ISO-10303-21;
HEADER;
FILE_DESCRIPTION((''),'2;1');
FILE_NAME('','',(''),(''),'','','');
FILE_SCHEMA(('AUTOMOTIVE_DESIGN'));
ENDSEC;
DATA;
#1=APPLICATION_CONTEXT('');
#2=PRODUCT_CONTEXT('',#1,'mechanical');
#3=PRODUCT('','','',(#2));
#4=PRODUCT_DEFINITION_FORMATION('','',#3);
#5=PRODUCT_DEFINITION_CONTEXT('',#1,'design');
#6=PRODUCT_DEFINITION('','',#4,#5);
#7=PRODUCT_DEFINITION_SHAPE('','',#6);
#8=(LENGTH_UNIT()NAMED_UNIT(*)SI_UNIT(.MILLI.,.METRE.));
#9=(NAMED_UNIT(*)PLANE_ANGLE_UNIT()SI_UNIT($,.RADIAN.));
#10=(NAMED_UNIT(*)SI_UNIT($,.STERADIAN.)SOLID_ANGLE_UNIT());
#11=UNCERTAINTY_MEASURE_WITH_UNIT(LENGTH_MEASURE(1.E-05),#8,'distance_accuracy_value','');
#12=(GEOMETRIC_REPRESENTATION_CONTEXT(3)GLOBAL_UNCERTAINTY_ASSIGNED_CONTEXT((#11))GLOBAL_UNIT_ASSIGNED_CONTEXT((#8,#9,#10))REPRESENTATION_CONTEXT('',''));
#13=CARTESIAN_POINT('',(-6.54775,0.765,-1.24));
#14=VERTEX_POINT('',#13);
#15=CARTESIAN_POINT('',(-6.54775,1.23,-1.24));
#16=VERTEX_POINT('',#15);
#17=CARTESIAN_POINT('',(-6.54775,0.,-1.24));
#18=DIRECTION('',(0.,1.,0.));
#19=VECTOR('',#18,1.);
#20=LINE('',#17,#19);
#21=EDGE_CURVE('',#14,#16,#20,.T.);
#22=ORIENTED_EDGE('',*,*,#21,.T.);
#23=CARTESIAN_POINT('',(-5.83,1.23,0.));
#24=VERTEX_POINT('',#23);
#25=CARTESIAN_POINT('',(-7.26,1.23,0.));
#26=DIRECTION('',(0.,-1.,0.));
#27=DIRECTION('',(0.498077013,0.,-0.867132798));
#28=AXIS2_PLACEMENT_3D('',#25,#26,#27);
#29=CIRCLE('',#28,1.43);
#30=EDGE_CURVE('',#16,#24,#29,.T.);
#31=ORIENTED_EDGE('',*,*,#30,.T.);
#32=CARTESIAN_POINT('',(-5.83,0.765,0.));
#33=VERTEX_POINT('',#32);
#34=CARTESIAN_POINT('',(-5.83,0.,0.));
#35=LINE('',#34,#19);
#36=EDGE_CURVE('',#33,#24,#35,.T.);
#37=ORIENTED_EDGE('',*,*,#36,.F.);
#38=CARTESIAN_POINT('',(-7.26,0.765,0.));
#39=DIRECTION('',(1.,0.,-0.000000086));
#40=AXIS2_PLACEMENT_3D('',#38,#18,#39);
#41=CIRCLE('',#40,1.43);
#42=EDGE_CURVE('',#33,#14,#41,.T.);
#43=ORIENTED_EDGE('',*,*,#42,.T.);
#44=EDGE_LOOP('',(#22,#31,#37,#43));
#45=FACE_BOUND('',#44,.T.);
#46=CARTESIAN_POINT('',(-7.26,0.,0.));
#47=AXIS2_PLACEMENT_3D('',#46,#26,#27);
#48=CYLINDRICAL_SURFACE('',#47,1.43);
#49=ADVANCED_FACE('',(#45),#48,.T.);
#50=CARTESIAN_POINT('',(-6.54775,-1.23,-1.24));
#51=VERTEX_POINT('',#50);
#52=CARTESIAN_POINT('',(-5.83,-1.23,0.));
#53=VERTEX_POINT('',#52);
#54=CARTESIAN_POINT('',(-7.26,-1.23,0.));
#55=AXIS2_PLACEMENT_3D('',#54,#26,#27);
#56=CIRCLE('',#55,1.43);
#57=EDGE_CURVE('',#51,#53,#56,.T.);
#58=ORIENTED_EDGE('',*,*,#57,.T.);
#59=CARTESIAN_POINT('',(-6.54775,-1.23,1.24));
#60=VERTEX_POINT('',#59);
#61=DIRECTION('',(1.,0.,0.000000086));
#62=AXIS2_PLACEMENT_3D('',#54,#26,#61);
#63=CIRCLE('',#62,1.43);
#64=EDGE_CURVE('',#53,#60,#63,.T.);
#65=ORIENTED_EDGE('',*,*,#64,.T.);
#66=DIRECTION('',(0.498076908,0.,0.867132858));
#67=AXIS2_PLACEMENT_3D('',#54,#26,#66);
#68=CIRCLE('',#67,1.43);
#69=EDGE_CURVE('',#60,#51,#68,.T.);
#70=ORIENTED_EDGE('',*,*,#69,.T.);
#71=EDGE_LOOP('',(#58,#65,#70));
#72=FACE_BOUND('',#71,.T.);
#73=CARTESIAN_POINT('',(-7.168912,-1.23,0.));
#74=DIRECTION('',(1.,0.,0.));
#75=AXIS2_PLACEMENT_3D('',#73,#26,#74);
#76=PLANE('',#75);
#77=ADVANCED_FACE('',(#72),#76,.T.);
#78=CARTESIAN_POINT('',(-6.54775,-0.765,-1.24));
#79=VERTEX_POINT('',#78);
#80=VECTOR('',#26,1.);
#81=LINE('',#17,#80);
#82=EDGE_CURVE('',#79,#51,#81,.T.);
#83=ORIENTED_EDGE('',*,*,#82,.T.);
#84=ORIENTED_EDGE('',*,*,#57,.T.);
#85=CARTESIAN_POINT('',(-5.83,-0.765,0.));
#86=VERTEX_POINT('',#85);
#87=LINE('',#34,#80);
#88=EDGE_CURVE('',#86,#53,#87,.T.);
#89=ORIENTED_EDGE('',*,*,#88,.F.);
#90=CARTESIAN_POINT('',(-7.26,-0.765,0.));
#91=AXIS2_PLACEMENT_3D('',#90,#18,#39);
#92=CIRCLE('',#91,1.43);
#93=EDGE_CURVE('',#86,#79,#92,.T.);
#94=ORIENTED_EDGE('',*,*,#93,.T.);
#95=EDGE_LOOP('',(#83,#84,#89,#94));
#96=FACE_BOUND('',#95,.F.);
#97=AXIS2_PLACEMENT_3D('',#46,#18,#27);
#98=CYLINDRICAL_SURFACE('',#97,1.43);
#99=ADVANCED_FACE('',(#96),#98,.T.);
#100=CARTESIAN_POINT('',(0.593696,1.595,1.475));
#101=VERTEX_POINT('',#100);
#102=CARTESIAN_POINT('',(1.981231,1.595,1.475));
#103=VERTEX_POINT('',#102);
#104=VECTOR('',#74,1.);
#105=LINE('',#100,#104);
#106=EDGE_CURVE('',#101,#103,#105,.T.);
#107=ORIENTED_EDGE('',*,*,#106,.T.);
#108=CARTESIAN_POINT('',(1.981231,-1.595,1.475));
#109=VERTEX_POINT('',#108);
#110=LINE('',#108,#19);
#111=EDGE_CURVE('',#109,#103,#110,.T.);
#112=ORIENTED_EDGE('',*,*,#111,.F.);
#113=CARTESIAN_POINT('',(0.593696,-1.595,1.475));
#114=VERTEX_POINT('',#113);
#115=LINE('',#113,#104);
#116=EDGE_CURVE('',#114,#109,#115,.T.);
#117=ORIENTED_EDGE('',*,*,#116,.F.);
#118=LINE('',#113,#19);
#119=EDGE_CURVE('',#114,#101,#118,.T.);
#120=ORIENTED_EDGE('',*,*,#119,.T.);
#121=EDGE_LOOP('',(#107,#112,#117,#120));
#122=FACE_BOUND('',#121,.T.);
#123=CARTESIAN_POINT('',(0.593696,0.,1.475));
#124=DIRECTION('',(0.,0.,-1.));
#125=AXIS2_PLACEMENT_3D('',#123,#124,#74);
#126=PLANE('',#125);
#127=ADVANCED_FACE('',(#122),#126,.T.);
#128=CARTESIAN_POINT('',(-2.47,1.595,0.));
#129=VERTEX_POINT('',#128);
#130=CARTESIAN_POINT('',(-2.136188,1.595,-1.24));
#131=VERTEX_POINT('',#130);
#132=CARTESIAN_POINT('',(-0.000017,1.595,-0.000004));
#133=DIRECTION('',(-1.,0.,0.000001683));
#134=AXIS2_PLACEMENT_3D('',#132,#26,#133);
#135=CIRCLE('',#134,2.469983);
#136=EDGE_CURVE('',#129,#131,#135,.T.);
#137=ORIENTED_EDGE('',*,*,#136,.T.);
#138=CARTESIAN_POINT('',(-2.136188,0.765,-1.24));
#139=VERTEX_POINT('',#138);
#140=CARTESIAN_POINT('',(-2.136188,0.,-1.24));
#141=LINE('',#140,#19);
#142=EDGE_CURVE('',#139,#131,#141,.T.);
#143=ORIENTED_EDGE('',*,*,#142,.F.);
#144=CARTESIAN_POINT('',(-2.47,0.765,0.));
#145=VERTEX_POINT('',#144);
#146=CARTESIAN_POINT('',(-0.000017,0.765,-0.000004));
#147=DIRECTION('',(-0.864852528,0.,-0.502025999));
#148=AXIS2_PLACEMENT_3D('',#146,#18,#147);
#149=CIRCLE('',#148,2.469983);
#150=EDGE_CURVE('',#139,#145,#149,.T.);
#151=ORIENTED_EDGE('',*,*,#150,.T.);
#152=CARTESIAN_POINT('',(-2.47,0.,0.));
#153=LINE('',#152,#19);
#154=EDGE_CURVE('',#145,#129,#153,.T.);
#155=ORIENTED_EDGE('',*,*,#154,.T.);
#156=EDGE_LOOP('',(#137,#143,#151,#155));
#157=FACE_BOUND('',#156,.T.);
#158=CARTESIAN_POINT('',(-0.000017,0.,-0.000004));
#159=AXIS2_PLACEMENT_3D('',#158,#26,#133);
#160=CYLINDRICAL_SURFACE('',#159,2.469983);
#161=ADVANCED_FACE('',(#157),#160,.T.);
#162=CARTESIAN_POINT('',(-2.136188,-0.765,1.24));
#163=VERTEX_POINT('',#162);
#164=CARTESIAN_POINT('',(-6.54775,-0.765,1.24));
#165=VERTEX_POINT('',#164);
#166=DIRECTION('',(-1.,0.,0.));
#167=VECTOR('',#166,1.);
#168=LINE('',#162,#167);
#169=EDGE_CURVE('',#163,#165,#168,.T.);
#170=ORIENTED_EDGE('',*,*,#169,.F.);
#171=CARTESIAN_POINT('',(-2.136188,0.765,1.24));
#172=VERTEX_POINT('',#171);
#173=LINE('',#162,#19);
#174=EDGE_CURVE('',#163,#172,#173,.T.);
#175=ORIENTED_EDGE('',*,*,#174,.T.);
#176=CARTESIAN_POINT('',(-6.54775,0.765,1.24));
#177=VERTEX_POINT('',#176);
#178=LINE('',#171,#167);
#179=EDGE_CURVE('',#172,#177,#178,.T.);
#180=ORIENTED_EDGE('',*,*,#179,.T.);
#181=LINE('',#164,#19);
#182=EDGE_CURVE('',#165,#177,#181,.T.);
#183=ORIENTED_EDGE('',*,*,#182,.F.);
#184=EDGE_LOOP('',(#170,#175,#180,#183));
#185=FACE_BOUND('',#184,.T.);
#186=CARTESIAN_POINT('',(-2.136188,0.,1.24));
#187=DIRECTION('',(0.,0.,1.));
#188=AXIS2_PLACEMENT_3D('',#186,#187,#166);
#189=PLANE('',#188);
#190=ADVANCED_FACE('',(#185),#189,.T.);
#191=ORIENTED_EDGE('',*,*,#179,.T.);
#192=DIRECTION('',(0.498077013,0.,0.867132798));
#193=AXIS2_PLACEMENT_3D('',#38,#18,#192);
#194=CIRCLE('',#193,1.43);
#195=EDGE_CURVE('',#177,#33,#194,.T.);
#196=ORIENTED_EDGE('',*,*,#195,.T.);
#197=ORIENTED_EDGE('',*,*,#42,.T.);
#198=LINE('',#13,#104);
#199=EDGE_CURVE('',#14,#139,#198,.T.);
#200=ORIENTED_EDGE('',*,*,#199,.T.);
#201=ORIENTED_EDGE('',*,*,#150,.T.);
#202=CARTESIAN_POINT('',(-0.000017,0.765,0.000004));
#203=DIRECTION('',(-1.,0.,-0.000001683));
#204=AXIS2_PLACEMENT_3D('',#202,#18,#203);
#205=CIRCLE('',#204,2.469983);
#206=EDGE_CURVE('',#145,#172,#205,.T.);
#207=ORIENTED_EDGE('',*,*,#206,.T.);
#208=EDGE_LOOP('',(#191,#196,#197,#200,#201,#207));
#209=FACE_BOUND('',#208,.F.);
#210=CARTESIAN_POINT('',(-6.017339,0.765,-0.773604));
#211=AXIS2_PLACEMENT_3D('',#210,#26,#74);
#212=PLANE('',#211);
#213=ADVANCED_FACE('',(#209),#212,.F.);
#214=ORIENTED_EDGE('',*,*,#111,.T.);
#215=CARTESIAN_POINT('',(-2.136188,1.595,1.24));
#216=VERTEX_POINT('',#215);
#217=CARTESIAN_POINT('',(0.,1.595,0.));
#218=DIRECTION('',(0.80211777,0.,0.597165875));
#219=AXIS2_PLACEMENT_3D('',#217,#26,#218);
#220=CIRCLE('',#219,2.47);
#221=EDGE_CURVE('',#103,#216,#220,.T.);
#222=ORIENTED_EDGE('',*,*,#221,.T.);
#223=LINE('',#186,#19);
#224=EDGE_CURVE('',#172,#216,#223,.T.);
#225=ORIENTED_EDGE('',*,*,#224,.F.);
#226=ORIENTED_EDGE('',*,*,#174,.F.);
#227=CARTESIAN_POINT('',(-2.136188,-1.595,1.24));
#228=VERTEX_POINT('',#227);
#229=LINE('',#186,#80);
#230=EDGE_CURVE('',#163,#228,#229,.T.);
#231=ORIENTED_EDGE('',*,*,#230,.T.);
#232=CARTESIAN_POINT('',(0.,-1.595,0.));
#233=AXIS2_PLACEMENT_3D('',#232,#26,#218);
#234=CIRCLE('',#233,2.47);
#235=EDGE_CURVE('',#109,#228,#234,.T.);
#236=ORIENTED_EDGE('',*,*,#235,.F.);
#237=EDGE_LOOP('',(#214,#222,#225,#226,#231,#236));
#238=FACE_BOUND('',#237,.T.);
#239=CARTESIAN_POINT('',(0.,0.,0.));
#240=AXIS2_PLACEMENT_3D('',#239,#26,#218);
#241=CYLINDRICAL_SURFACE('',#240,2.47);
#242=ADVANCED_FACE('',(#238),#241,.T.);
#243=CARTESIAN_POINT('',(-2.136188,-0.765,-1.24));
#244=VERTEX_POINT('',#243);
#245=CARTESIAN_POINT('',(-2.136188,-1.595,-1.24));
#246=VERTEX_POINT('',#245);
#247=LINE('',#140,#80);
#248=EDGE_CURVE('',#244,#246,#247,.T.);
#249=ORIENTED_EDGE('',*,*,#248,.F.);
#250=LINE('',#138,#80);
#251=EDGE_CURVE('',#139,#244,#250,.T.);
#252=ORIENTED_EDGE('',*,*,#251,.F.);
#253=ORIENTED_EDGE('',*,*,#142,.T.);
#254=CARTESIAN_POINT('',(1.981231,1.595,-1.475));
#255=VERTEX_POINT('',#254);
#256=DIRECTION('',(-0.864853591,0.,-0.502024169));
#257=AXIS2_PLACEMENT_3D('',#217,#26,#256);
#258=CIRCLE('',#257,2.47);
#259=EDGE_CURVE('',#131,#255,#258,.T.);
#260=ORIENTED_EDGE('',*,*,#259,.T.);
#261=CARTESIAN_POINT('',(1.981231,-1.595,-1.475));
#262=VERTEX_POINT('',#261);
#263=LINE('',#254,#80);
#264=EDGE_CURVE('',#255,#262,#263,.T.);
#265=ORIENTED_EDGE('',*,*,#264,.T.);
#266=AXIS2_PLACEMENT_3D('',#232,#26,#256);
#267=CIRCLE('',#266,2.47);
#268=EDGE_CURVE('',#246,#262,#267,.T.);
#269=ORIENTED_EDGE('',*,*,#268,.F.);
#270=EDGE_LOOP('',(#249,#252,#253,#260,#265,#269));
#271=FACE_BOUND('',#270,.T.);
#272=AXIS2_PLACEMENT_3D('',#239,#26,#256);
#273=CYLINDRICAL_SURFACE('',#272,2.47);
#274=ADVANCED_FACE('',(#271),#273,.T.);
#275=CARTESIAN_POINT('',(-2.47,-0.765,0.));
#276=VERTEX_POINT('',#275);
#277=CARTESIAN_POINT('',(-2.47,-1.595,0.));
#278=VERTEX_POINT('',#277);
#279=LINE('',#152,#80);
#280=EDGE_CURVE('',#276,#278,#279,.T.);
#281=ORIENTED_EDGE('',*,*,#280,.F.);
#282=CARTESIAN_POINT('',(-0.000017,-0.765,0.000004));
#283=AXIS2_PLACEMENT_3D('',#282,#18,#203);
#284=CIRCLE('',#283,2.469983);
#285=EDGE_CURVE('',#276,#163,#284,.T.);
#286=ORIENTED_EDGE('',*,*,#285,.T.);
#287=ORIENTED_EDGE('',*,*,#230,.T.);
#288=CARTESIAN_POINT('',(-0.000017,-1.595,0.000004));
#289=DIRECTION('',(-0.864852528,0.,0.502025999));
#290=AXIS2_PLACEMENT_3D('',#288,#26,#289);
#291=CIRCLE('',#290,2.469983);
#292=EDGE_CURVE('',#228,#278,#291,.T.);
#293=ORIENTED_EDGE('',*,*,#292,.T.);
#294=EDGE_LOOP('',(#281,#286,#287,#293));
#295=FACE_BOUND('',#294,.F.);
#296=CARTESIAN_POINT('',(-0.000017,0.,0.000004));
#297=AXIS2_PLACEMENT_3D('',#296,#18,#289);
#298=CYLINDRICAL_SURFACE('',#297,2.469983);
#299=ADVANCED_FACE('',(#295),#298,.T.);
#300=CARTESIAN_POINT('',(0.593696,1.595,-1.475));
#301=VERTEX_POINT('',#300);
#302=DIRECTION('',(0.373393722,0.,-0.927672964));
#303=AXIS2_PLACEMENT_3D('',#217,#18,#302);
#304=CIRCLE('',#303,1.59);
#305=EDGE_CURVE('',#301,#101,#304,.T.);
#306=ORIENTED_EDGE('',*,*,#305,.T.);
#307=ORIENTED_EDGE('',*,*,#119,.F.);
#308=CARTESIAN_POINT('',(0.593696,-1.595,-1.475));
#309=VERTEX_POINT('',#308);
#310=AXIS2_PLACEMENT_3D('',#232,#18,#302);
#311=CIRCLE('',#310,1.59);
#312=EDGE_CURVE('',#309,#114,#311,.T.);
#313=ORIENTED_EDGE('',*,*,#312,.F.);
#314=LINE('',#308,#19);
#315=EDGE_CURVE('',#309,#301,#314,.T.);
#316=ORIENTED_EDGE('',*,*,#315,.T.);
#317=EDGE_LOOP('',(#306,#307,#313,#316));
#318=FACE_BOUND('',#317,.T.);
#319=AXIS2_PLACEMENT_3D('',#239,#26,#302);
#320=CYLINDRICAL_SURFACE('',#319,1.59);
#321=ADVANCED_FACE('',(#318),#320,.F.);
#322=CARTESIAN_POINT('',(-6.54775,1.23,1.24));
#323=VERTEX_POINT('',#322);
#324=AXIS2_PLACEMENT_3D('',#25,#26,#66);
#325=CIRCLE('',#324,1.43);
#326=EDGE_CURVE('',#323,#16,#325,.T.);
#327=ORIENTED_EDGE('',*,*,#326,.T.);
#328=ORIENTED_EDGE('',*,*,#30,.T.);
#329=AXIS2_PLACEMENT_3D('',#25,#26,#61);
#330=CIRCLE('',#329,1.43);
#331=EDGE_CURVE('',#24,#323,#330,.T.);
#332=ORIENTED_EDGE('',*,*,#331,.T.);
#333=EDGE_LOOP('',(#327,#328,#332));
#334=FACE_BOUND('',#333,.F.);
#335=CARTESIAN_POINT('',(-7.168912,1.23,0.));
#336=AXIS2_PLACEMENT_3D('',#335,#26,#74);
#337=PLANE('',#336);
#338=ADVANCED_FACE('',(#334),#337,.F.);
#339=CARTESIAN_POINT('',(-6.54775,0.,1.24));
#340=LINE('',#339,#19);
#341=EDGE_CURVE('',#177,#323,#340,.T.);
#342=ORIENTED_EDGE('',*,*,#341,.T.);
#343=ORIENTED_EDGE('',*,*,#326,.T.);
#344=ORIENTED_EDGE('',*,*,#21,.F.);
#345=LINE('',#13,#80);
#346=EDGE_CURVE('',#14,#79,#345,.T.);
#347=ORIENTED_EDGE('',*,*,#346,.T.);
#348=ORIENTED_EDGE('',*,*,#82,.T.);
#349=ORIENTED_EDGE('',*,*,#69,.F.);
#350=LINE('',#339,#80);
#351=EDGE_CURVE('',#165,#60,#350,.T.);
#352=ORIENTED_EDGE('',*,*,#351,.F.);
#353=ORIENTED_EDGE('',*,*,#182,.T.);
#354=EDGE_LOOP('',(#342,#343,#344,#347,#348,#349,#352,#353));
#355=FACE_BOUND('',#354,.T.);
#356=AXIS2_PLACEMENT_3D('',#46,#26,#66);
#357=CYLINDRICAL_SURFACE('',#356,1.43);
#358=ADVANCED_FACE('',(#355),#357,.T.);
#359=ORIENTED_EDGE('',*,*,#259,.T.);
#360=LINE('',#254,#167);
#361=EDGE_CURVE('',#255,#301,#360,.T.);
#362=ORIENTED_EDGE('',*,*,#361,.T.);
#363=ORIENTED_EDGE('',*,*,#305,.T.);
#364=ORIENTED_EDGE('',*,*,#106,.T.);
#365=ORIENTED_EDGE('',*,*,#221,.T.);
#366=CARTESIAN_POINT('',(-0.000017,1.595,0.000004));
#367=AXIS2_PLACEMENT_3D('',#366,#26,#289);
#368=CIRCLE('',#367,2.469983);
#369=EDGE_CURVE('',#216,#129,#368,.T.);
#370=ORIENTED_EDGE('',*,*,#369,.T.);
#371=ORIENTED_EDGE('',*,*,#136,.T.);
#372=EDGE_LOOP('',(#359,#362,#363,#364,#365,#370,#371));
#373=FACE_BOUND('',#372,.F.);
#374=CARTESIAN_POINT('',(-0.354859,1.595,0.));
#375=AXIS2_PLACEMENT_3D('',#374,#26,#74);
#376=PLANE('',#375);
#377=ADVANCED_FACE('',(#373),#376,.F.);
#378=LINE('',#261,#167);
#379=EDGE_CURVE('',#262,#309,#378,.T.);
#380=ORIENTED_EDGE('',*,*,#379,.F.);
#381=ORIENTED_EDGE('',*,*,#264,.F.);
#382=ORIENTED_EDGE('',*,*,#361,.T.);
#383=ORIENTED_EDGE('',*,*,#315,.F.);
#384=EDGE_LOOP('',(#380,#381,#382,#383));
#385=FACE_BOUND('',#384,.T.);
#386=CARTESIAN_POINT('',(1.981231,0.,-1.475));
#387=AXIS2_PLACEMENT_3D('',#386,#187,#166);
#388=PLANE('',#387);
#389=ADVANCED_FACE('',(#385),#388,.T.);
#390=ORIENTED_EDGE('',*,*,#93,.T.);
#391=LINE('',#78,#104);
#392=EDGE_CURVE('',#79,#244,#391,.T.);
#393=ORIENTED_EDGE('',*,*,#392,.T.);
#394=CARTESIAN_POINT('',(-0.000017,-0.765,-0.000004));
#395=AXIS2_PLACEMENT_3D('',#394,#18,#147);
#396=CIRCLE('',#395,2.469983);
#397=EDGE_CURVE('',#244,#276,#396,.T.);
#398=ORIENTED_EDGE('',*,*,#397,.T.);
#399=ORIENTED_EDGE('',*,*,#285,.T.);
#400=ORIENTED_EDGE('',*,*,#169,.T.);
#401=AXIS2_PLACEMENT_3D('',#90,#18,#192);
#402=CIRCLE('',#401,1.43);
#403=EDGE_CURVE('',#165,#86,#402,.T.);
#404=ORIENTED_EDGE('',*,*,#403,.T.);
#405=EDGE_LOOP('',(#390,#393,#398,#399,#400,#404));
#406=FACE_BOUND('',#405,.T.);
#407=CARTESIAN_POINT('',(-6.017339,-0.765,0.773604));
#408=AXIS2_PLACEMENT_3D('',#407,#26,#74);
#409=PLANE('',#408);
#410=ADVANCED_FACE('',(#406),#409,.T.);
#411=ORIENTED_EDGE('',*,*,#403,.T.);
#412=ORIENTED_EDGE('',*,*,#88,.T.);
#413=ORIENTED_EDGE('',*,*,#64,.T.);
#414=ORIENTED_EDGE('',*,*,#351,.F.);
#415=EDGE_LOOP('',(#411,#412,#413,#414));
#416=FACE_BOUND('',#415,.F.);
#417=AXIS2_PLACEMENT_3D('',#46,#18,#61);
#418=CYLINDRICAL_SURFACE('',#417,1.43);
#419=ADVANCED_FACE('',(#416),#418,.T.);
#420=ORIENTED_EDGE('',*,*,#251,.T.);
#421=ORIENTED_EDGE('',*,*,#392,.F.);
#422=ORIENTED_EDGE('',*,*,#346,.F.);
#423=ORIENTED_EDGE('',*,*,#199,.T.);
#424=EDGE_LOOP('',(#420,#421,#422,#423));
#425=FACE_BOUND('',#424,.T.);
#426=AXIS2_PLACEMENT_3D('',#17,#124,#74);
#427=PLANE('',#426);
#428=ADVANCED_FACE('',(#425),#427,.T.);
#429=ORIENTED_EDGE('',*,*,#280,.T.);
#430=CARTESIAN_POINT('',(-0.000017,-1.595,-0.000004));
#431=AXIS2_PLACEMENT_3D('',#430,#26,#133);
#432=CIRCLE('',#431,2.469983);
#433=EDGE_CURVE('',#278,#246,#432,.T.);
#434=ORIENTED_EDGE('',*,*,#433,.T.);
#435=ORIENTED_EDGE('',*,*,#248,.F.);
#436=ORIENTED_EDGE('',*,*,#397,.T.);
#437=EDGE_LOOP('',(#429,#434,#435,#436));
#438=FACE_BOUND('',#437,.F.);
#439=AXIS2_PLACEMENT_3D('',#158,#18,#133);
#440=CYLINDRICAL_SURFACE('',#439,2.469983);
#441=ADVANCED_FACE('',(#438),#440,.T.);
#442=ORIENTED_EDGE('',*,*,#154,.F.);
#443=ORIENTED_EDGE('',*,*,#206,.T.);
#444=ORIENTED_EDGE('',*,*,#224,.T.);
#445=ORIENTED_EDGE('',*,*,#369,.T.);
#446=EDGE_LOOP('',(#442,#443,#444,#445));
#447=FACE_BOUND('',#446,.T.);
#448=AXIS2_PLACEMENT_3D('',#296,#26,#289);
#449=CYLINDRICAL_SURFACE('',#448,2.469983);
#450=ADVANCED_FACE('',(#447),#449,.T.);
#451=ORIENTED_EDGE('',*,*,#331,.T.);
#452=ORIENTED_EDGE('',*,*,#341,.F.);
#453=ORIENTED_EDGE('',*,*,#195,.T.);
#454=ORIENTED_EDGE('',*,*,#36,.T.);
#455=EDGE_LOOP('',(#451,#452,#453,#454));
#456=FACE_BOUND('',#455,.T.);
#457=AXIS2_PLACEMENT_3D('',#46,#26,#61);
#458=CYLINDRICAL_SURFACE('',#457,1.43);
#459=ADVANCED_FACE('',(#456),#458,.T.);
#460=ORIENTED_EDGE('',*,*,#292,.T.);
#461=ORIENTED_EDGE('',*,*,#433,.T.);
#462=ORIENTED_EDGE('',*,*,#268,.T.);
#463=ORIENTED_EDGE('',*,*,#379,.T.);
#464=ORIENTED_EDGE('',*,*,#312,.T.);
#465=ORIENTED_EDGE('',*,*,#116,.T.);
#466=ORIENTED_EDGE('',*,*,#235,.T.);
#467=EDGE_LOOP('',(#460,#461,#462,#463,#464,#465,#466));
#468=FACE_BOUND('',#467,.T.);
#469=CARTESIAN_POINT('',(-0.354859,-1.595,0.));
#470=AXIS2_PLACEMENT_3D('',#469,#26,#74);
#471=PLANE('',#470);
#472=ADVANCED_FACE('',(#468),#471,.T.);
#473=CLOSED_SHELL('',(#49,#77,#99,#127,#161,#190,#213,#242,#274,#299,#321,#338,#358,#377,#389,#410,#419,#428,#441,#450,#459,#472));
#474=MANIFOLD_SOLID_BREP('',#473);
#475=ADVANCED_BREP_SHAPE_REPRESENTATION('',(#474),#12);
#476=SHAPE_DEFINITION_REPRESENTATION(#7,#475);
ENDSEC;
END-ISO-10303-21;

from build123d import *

# Parameters (mm, degrees)
F1_DEPTH = 1.23
F2_DEPTH = 0.765
F3_DEPTH = 1.595
F4_DEPTH = 1.595
F5_DEPTH = 0.765
F6_DEPTH = 1.23


with BuildPart() as f1:
    # F0 (on Front) → F1 (new body)
    with BuildSketch(Plane.XZ):
        with BuildLine():
            ThreePointArc((-6.54775, -1.24), (-6.022378, -0.716374), (-5.83, 0))
            ThreePointArc((-5.83, 0), (-6.022378, 0.716374), (-6.54775, 1.24))
            ThreePointArc((-6.54775, 1.24), (-8.69, 0), (-6.54775, -1.24))
        make_face()
    extrude(amount=F1_DEPTH)

    # F0 (on Front) → F2 (join)
    with BuildSketch(Plane.XZ):
        with BuildLine():
            Line((-5.83, 0), (-5.83, 1.24))
            Line((-5.83, 1.24), (-6.54775, 1.24))
            ThreePointArc((-6.54775, 1.24), (-6.022378, 0.716374), (-5.83, 0))
        make_face()
        with BuildLine():
            Line((-6.54775, -1.24), (-5.83, -1.24))
            Line((-5.83, -1.24), (-5.83, 0))
            ThreePointArc((-5.83, 0), (-6.022378, -0.716374), (-6.54775, -1.24))
        make_face()
        with BuildLine():
            ThreePointArc((-2.47, 0), (-2.385088, 0.642073), (-2.136188, 1.24))
            Line((-2.136188, 1.24), (-5.83, 1.24))
            Line((-5.83, 1.24), (-5.83, 0))
            Line((-5.83, 0), (-2.47, 0))
        make_face()
        with BuildLine():
            Line((-5.83, -1.24), (-2.136188, -1.24))
            ThreePointArc((-2.136188, -1.24), (-2.385088, -0.642073), (-2.47, 0))
            Line((-2.47, 0), (-5.83, 0))
            Line((-5.83, 0), (-5.83, -1.24))
        make_face()
    extrude(amount=F2_DEPTH)

    # F0 (on Front) → F3 (join)
    with BuildSketch(Plane.XZ):
        with BuildLine():
            Line((1.7075, 1.475), (1.981231, 1.475))
            ThreePointArc((1.981231, 1.475), (-0.140745, 2.465987), (-2.136188, 1.24))
            ThreePointArc((-2.136188, 1.24), (-2.385088, 0.642073), (-2.47, 0))
            ThreePointArc((-2.47, 0), (-2.385088, -0.642073), (-2.136188, -1.24))
            ThreePointArc((-2.136188, -1.24), (-0.140745, -2.465987), (1.981231, -1.475))
            Line((1.981231, -1.475), (1.7075, -1.475))
            Line((1.7075, -1.475), (0.593696, -1.475))
            ThreePointArc((0.593696, -1.475), (-1.59, 0), (0.593696, 1.475))
            Line((0.593696, 1.475), (1.7075, 1.475))
        make_face()
    extrude(amount=F3_DEPTH)

    # F0 (on Front) → F4 (join)
    with BuildSketch(Plane.XZ):
        with BuildLine():
            Line((1.7075, 1.475), (1.981231, 1.475))
            ThreePointArc((1.981231, 1.475), (-0.140745, 2.465987), (-2.136188, 1.24))
            ThreePointArc((-2.136188, 1.24), (-2.385088, 0.642073), (-2.47, 0))
            ThreePointArc((-2.47, 0), (-2.385088, -0.642073), (-2.136188, -1.24))
            ThreePointArc((-2.136188, -1.24), (-0.140745, -2.465987), (1.981231, -1.475))
            Line((1.981231, -1.475), (1.7075, -1.475))
            Line((1.7075, -1.475), (0.593696, -1.475))
            ThreePointArc((0.593696, -1.475), (-1.59, 0), (0.593696, 1.475))
            Line((0.593696, 1.475), (1.7075, 1.475))
        make_face()
    extrude(amount=-F4_DEPTH)

    # F0 (on Front) → F5 (join)
    with BuildSketch(Plane.XZ):
        with BuildLine():
            Line((-6.54775, -1.24), (-5.83, -1.24))
            Line((-5.83, -1.24), (-5.83, 0))
            ThreePointArc((-5.83, 0), (-6.022378, -0.716374), (-6.54775, -1.24))
        make_face()
        with BuildLine():
            Line((-5.83, 0), (-5.83, 1.24))
            Line((-5.83, 1.24), (-6.54775, 1.24))
            ThreePointArc((-6.54775, 1.24), (-6.022378, 0.716374), (-5.83, 0))
        make_face()
        with BuildLine():
            ThreePointArc((-2.47, 0), (-2.385088, 0.642073), (-2.136188, 1.24))
            Line((-2.136188, 1.24), (-5.83, 1.24))
            Line((-5.83, 1.24), (-5.83, 0))
            Line((-5.83, 0), (-2.47, 0))
        make_face()
        with BuildLine():
            Line((-5.83, -1.24), (-2.136188, -1.24))
            ThreePointArc((-2.136188, -1.24), (-2.385088, -0.642073), (-2.47, 0))
            Line((-2.47, 0), (-5.83, 0))
            Line((-5.83, 0), (-5.83, -1.24))
        make_face()
    extrude(amount=-F5_DEPTH)

    # F0 (on Front) → F6 (join)
    with BuildSketch(Plane.XZ):
        with BuildLine():
            ThreePointArc((-6.54775, -1.24), (-6.022378, -0.716374), (-5.83, 0))
            ThreePointArc((-5.83, 0), (-6.022378, 0.716374), (-6.54775, 1.24))
            ThreePointArc((-6.54775, 1.24), (-8.69, 0), (-6.54775, -1.24))
        make_face()
    extrude(amount=-F6_DEPTH)


solid = f1.part
